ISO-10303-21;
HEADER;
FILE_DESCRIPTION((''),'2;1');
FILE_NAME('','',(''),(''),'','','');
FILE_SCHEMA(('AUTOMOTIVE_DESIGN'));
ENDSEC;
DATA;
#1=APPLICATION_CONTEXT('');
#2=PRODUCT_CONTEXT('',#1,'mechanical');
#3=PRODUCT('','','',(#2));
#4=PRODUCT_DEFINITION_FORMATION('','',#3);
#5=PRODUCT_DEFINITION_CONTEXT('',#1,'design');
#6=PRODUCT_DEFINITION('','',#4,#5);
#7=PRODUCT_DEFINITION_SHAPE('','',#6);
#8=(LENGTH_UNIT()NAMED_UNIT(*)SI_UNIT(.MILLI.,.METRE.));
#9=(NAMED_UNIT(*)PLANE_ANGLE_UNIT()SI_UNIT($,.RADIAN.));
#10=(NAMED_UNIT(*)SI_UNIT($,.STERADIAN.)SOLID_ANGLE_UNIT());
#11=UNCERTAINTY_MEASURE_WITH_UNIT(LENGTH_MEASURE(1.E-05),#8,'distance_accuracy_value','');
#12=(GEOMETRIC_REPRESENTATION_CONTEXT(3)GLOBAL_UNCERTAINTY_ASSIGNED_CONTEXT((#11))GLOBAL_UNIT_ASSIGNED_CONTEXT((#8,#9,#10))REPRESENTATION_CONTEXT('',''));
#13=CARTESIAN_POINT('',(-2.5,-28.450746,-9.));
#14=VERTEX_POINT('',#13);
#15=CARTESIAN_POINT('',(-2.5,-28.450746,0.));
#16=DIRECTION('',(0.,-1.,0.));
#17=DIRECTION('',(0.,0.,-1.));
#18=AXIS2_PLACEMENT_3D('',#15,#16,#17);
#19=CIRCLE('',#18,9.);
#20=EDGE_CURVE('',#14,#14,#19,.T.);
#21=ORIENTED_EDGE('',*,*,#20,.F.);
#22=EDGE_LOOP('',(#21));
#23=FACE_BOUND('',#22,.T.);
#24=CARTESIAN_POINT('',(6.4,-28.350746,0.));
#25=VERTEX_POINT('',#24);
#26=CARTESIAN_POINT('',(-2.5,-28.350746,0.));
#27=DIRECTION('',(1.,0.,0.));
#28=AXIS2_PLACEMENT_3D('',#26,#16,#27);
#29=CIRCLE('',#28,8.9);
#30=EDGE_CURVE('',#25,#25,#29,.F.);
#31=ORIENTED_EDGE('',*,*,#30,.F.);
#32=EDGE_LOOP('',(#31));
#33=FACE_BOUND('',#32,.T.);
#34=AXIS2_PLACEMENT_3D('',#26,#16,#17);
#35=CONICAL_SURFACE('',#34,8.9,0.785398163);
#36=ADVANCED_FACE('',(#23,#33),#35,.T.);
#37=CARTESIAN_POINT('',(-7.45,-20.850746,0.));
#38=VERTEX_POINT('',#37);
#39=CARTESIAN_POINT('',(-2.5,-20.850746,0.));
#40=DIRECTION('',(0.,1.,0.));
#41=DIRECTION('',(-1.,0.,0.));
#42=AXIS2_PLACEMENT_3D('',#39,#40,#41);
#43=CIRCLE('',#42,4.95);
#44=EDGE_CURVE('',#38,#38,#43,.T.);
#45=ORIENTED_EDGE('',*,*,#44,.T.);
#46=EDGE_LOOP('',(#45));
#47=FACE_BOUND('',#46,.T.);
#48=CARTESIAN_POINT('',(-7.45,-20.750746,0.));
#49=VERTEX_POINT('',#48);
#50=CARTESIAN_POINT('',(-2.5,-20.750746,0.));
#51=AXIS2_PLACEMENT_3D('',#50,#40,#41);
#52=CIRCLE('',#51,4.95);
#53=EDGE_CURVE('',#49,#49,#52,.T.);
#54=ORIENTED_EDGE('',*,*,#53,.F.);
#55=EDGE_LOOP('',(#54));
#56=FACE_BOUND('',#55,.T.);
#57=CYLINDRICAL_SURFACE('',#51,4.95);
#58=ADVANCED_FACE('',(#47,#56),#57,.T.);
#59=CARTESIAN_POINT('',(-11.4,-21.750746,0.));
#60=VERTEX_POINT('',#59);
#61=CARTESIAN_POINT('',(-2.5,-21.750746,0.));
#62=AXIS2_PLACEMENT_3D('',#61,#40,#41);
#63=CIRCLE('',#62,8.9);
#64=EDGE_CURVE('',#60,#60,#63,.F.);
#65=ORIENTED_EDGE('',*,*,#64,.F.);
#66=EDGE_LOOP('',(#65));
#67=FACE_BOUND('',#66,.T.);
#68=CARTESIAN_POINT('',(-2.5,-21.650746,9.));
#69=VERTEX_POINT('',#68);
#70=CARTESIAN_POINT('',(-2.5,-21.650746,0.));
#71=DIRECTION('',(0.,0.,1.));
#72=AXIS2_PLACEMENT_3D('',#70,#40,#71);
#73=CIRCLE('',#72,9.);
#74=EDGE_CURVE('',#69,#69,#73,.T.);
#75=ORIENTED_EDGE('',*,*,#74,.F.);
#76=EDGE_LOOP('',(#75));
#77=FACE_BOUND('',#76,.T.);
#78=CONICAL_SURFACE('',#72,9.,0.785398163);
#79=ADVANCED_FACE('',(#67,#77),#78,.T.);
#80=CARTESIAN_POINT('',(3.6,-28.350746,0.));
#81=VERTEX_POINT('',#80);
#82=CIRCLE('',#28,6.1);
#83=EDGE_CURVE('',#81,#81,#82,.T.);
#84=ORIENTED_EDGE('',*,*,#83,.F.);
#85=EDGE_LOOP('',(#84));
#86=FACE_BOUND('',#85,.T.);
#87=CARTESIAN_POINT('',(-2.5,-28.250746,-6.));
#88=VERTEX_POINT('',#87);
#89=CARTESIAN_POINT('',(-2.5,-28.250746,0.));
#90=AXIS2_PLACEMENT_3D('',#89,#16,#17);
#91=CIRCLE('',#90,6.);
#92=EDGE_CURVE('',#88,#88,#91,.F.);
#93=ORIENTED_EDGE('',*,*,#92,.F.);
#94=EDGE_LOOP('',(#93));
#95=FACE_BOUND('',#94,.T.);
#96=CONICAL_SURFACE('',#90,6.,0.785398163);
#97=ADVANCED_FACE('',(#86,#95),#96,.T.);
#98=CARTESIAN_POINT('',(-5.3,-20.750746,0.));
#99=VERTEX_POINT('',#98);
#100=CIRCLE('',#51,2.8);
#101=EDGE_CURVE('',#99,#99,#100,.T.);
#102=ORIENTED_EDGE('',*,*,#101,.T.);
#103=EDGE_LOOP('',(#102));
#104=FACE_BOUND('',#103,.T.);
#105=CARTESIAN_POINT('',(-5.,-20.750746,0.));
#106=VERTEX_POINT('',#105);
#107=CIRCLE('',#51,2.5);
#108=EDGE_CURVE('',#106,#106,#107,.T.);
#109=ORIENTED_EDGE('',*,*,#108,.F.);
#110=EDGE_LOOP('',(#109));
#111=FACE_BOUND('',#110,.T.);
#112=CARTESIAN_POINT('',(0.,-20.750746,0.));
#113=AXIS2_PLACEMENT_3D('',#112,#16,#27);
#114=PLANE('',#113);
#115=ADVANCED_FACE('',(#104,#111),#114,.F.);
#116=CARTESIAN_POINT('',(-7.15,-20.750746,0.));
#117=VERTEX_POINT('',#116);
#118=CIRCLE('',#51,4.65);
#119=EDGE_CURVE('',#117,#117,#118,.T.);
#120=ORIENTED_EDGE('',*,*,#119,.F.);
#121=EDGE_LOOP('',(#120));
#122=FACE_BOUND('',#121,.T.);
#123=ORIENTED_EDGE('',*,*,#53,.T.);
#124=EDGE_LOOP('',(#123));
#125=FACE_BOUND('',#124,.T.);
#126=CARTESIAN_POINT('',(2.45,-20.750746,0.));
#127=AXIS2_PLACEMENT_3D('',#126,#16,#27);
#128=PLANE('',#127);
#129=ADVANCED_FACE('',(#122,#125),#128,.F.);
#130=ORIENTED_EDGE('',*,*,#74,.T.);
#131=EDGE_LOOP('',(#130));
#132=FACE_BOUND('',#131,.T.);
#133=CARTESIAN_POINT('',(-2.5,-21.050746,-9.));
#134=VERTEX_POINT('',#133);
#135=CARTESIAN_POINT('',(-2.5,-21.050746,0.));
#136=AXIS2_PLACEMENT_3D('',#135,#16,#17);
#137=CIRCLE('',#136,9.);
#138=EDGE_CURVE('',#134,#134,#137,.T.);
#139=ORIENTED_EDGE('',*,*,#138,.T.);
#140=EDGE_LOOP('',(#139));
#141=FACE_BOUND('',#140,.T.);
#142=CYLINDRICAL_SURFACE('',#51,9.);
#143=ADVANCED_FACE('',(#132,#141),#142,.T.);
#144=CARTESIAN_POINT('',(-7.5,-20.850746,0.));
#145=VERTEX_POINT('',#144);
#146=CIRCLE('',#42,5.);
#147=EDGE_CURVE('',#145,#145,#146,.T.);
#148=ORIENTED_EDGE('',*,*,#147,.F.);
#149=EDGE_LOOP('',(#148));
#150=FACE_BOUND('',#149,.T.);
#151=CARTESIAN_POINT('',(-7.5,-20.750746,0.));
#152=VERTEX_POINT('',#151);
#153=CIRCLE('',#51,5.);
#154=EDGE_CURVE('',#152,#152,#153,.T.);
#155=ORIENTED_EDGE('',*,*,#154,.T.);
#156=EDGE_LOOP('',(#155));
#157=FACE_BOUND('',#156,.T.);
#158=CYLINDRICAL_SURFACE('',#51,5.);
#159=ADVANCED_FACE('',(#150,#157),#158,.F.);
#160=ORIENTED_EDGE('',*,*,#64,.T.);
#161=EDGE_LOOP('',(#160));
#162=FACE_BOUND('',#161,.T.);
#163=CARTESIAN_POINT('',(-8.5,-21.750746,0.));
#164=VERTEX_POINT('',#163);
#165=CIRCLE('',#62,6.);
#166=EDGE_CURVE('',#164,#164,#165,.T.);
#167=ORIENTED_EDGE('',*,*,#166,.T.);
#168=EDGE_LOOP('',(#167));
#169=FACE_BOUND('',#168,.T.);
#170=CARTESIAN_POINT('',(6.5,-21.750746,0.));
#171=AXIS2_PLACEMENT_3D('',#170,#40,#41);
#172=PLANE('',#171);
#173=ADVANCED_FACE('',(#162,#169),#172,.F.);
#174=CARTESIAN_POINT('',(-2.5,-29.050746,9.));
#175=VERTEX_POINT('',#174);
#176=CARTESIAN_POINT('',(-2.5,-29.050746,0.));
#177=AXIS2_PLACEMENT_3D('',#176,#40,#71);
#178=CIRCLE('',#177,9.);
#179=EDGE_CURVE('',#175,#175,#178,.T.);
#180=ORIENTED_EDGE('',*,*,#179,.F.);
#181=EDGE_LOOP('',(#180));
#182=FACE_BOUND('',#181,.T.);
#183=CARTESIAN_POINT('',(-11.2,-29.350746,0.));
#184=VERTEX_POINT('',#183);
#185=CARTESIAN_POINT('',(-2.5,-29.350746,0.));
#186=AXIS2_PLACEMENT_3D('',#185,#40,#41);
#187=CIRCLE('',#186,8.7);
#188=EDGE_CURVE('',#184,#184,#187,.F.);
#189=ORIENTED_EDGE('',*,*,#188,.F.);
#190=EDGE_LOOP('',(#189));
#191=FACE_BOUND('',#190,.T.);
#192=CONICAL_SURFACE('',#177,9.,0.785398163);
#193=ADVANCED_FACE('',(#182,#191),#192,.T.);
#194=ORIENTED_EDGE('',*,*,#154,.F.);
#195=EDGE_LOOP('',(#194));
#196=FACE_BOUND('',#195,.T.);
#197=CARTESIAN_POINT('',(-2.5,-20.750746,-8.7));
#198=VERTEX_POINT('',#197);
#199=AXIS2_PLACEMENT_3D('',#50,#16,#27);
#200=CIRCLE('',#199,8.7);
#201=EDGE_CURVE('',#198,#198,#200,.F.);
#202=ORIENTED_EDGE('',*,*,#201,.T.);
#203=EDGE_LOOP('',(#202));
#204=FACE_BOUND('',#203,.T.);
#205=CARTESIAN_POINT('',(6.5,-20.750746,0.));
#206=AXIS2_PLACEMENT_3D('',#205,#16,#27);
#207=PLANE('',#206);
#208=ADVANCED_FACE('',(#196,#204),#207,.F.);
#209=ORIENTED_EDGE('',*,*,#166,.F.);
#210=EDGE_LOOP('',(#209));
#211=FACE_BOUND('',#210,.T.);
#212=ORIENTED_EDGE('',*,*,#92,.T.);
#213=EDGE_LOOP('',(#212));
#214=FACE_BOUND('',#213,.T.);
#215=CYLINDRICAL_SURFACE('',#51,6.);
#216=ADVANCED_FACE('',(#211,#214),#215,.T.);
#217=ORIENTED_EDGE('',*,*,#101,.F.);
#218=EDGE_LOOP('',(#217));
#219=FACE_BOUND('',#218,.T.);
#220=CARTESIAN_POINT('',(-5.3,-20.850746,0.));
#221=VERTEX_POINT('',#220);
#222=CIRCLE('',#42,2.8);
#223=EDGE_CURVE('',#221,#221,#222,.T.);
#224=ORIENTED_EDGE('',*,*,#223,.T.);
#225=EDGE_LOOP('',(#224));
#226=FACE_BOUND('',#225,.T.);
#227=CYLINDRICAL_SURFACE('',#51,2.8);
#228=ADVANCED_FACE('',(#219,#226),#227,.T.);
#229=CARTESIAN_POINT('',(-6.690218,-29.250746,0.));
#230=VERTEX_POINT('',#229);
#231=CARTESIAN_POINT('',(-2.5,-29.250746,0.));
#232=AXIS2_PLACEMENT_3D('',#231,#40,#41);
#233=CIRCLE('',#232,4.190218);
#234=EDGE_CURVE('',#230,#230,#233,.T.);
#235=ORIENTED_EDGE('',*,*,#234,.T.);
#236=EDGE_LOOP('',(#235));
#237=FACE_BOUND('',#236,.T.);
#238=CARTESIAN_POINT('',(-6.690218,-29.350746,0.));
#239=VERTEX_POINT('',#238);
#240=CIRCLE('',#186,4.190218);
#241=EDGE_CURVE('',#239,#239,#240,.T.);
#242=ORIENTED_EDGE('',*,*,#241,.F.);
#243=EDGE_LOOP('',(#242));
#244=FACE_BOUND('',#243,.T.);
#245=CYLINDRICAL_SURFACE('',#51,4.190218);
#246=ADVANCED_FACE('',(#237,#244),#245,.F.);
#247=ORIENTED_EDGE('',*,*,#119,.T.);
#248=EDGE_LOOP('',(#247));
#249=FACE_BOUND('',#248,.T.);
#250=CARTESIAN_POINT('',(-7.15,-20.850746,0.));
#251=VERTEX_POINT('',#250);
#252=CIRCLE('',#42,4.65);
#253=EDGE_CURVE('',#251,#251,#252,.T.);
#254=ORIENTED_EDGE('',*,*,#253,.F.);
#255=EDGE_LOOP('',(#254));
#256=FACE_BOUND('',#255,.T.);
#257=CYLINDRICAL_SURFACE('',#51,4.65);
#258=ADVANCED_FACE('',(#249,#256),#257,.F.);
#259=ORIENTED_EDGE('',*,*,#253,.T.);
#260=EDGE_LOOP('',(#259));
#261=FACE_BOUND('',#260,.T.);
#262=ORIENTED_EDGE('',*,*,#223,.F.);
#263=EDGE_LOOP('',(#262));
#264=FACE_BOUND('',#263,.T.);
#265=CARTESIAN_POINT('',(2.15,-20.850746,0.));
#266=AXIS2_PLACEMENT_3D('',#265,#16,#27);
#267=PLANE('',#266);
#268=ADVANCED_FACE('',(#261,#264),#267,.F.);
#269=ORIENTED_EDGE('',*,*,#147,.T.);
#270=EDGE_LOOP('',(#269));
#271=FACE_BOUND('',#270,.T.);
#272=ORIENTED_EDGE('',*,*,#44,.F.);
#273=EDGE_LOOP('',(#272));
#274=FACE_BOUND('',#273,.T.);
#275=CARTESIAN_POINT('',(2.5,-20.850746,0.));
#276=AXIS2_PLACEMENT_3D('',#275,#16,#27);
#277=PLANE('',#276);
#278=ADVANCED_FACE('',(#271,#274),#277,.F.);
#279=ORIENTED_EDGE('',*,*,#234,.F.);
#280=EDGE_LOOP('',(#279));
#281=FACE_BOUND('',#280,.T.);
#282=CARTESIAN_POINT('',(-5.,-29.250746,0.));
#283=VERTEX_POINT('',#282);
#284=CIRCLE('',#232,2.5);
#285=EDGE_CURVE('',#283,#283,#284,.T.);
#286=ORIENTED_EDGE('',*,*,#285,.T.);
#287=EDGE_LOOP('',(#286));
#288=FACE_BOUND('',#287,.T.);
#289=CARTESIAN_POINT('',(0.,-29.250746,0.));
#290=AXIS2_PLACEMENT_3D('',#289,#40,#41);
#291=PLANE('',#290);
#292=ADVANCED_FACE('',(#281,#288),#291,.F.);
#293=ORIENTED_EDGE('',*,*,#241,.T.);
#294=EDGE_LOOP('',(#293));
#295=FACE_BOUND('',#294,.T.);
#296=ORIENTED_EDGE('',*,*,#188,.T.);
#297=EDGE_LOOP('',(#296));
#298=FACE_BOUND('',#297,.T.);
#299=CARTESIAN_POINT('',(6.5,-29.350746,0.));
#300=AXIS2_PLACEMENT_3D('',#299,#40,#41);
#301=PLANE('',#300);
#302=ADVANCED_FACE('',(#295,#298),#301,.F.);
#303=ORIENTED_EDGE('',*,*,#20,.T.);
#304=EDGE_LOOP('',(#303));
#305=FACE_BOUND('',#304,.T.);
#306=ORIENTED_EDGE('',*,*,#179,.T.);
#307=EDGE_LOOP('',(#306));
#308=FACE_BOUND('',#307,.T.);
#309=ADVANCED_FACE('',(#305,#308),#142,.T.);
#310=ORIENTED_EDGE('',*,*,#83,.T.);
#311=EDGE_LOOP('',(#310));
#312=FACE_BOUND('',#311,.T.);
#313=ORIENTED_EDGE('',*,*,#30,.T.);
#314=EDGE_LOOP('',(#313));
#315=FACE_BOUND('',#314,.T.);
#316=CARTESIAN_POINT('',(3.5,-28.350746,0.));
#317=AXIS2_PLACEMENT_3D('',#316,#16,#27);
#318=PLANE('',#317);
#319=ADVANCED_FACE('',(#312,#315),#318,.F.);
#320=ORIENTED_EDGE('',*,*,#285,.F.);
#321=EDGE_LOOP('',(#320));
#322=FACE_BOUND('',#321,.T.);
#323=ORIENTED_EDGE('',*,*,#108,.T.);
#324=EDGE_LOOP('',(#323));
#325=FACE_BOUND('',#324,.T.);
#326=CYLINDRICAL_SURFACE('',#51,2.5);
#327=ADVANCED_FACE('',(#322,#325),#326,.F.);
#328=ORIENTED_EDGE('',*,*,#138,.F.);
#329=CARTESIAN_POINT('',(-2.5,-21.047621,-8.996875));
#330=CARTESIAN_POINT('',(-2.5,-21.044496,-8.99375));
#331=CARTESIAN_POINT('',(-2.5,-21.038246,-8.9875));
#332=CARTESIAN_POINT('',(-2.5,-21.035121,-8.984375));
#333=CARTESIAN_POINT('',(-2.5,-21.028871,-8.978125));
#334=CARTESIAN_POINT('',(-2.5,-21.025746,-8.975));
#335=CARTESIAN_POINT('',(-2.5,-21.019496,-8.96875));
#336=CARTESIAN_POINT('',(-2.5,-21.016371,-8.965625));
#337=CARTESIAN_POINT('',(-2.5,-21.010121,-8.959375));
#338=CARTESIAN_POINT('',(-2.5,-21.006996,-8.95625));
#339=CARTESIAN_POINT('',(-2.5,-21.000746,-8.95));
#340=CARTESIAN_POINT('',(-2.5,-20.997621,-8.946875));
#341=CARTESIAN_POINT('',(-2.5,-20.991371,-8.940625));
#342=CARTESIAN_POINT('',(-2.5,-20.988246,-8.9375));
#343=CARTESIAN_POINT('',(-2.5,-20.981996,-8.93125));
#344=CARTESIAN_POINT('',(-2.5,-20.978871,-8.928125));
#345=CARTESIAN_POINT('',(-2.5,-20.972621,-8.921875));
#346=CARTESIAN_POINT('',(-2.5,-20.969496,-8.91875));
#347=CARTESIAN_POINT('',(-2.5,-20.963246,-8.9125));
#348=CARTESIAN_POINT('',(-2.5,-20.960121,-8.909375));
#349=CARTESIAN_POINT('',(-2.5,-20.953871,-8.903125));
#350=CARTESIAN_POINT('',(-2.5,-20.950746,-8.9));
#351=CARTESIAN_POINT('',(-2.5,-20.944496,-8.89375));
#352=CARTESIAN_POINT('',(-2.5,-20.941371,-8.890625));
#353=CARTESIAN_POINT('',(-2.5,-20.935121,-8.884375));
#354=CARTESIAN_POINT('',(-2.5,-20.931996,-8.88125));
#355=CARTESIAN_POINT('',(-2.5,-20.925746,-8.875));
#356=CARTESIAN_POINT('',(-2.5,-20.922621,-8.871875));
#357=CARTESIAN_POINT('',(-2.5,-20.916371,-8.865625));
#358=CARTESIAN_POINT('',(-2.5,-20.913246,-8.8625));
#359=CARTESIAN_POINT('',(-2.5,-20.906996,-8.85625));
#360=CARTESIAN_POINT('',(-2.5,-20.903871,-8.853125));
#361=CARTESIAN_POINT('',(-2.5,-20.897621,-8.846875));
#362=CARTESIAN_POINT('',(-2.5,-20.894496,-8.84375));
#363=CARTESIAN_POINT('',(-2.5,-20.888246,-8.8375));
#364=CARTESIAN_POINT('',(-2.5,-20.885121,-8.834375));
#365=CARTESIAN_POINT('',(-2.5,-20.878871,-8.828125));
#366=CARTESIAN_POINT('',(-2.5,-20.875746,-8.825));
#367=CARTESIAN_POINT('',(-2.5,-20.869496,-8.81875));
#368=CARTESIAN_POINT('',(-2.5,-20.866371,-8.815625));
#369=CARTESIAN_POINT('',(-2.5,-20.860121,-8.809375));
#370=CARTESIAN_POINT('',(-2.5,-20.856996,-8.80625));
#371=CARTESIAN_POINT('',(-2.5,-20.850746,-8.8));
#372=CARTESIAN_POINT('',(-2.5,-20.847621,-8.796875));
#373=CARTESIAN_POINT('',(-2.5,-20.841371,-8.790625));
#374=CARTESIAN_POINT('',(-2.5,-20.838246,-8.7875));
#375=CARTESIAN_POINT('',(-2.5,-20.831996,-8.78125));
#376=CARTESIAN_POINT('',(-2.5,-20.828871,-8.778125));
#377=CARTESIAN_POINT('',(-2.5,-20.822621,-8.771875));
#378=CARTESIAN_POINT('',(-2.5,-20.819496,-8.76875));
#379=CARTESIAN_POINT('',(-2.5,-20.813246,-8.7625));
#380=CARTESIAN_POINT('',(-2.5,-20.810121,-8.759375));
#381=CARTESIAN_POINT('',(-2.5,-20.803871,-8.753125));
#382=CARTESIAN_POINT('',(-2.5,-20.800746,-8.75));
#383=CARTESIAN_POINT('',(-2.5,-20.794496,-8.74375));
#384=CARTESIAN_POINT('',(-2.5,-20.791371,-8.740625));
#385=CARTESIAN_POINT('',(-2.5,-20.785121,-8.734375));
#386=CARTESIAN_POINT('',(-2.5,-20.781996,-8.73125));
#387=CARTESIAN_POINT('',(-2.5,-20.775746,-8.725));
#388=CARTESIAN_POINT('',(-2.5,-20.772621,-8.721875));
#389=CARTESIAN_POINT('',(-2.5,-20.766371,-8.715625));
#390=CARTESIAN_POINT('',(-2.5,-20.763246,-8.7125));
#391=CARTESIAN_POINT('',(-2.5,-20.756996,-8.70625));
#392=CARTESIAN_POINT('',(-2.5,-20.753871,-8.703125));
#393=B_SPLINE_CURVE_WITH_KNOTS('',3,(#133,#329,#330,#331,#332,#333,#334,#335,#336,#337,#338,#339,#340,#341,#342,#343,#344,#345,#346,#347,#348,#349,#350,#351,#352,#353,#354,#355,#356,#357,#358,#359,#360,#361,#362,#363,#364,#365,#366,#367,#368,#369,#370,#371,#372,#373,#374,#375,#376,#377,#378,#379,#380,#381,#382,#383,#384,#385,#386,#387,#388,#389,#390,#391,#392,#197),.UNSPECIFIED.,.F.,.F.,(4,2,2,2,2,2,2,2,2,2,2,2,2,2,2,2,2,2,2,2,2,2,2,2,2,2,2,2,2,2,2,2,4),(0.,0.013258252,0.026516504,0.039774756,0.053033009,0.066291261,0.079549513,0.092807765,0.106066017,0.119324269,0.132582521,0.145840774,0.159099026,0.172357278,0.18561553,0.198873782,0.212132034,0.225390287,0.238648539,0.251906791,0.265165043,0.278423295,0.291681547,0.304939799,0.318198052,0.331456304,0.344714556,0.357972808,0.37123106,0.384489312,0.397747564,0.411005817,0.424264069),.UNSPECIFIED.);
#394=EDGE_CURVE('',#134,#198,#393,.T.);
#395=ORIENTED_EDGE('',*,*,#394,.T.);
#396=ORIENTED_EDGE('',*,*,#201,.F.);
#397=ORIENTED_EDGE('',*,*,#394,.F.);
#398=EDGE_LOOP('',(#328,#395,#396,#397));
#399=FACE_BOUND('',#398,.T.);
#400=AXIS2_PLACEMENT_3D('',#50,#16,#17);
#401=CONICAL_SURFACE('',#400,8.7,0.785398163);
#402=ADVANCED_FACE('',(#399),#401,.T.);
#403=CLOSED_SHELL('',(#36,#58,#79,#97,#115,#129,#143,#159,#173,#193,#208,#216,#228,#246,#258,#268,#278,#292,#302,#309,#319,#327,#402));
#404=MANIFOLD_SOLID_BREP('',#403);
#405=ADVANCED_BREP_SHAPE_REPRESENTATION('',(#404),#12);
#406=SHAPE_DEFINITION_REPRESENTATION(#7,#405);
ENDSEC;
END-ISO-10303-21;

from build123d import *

# Parameters (mm, degrees)
CHAFL_N3_SIZE = 0.3
CHAFL_N4_SIZE = 0.1


with BuildPart() as part:
    # Croquis1 → Revolución3 (revolve)
    with BuildSketch(Plane.XY, mode=Mode.PRIVATE) as revoluci_n3_sk:
        Polygon((6.5, -20.750745615), (2.5, -20.750745615), (2.5, -20.850745615), (2.45, -20.850745615), (2.45, -20.750745615), (2.15, -20.750745615), (2.15, -20.850745615), (0.3, -20.850745615), (0.3, -20.750745615), (0, -20.750745615), (0, -20.850745615), (0, -29.250745615), (1.690218344, -29.250745615), (1.690218344, -29.350745615), (6.5, -29.350745615), (6.5, -28.350745615), (3.5, -28.350745615), (3.5, -21.750745615), (6.5, -21.750745615), align=None)
    revolve(revoluci_n3_sk.sketch.rotate(Axis((-2.5, -20.750745615, 0), (0, -1, 0)), 180), axis=Axis((-2.5, -20.750745615, 0), (0, -1, 0)))

    # Chaflán3
    chafl_n3_edges = [part.edges().sort_by_distance(p)[0] for p in [
        (6.5, -29.350745615, 0),
        (6.5, -20.750745615, 0),
    ]]
    chamfer(chafl_n3_edges, length=CHAFL_N3_SIZE)

    # Chaflán4
    chafl_n4_edges = [part.edges().sort_by_distance(p)[0] for p in [
        (6.5, -28.350745615, 0),
        (3.5, -28.350745615, 0),
        (6.5, -21.750745615, 0),
    ]]
    chamfer(chafl_n4_edges, length=CHAFL_N4_SIZE)


solid = part.part
